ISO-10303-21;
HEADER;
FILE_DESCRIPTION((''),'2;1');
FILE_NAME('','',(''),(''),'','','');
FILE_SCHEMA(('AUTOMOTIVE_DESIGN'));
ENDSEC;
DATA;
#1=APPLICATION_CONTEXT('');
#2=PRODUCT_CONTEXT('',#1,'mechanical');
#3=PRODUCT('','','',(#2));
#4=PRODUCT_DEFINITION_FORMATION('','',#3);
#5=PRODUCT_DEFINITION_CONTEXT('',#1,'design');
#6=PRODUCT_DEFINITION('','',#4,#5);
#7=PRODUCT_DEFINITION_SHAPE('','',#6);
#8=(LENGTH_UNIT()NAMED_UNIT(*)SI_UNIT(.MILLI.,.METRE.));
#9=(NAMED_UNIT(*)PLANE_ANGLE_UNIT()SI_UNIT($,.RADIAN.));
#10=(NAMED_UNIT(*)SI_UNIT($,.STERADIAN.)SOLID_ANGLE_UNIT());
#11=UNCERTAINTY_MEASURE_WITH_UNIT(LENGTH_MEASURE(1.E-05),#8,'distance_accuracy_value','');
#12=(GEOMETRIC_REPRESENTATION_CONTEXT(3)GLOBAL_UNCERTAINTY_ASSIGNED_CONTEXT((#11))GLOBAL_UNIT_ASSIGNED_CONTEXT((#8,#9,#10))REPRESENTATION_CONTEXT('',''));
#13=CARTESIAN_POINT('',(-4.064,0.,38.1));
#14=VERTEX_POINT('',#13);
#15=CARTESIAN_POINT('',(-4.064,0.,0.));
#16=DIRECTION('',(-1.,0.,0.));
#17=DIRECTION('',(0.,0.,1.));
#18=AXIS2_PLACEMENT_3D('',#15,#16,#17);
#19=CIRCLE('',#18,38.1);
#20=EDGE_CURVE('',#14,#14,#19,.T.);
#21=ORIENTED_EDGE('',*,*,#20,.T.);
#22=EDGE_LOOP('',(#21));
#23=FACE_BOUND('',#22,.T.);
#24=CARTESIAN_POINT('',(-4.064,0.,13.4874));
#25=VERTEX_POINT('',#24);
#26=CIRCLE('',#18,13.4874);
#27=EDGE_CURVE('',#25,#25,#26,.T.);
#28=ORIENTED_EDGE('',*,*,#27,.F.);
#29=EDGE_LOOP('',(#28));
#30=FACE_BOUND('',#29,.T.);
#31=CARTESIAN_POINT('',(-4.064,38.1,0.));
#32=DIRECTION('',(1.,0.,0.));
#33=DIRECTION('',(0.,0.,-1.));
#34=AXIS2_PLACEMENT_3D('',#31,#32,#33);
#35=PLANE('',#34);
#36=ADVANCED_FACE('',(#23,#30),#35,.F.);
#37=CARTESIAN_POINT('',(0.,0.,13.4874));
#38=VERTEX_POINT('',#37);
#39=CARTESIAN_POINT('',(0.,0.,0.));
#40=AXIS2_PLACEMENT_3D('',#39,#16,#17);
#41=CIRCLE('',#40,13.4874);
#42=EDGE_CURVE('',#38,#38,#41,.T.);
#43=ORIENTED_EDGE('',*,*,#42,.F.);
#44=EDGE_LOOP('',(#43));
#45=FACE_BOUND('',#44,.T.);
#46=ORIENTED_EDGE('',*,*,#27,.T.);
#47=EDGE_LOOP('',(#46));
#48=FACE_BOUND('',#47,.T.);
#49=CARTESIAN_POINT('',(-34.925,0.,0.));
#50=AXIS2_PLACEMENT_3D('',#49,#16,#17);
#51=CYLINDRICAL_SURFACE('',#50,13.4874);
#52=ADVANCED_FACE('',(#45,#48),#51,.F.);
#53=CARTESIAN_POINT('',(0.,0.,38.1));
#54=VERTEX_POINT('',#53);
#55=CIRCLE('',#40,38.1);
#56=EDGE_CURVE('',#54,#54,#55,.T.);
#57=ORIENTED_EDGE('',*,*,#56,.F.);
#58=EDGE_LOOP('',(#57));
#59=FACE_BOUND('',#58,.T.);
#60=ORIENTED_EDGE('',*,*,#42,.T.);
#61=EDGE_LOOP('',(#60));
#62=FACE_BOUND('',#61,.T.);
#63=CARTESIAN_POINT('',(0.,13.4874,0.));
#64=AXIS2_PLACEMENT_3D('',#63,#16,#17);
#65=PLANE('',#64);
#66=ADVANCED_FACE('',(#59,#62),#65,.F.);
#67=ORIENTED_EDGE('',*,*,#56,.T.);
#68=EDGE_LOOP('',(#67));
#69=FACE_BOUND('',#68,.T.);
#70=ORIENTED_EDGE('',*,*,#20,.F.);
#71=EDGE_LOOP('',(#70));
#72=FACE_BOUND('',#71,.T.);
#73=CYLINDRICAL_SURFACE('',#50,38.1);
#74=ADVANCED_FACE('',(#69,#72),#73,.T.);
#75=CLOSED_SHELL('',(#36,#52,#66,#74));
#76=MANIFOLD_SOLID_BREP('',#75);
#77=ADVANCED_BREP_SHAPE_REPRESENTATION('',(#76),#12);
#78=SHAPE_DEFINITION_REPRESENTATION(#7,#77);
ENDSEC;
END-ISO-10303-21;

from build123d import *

# Parameters (mm, degrees)
SKETCH1_W = 4.064
SKETCH1_H = 24.6126


with BuildPart() as part:
    # Sketch1 → Base-Revolve (revolve)
    with BuildSketch(Plane.XY, mode=Mode.PRIVATE) as base_revolve_sk:
        with Locations((-2.032, 25.7937)):
            Rectangle(SKETCH1_W, SKETCH1_H)
    revolve(base_revolve_sk.sketch.rotate(Axis((-34.925, 0, 0), (1, 0, 0)), 90), axis=Axis((-34.925, 0, 0), (1, 0, 0)))


solid = part.part
